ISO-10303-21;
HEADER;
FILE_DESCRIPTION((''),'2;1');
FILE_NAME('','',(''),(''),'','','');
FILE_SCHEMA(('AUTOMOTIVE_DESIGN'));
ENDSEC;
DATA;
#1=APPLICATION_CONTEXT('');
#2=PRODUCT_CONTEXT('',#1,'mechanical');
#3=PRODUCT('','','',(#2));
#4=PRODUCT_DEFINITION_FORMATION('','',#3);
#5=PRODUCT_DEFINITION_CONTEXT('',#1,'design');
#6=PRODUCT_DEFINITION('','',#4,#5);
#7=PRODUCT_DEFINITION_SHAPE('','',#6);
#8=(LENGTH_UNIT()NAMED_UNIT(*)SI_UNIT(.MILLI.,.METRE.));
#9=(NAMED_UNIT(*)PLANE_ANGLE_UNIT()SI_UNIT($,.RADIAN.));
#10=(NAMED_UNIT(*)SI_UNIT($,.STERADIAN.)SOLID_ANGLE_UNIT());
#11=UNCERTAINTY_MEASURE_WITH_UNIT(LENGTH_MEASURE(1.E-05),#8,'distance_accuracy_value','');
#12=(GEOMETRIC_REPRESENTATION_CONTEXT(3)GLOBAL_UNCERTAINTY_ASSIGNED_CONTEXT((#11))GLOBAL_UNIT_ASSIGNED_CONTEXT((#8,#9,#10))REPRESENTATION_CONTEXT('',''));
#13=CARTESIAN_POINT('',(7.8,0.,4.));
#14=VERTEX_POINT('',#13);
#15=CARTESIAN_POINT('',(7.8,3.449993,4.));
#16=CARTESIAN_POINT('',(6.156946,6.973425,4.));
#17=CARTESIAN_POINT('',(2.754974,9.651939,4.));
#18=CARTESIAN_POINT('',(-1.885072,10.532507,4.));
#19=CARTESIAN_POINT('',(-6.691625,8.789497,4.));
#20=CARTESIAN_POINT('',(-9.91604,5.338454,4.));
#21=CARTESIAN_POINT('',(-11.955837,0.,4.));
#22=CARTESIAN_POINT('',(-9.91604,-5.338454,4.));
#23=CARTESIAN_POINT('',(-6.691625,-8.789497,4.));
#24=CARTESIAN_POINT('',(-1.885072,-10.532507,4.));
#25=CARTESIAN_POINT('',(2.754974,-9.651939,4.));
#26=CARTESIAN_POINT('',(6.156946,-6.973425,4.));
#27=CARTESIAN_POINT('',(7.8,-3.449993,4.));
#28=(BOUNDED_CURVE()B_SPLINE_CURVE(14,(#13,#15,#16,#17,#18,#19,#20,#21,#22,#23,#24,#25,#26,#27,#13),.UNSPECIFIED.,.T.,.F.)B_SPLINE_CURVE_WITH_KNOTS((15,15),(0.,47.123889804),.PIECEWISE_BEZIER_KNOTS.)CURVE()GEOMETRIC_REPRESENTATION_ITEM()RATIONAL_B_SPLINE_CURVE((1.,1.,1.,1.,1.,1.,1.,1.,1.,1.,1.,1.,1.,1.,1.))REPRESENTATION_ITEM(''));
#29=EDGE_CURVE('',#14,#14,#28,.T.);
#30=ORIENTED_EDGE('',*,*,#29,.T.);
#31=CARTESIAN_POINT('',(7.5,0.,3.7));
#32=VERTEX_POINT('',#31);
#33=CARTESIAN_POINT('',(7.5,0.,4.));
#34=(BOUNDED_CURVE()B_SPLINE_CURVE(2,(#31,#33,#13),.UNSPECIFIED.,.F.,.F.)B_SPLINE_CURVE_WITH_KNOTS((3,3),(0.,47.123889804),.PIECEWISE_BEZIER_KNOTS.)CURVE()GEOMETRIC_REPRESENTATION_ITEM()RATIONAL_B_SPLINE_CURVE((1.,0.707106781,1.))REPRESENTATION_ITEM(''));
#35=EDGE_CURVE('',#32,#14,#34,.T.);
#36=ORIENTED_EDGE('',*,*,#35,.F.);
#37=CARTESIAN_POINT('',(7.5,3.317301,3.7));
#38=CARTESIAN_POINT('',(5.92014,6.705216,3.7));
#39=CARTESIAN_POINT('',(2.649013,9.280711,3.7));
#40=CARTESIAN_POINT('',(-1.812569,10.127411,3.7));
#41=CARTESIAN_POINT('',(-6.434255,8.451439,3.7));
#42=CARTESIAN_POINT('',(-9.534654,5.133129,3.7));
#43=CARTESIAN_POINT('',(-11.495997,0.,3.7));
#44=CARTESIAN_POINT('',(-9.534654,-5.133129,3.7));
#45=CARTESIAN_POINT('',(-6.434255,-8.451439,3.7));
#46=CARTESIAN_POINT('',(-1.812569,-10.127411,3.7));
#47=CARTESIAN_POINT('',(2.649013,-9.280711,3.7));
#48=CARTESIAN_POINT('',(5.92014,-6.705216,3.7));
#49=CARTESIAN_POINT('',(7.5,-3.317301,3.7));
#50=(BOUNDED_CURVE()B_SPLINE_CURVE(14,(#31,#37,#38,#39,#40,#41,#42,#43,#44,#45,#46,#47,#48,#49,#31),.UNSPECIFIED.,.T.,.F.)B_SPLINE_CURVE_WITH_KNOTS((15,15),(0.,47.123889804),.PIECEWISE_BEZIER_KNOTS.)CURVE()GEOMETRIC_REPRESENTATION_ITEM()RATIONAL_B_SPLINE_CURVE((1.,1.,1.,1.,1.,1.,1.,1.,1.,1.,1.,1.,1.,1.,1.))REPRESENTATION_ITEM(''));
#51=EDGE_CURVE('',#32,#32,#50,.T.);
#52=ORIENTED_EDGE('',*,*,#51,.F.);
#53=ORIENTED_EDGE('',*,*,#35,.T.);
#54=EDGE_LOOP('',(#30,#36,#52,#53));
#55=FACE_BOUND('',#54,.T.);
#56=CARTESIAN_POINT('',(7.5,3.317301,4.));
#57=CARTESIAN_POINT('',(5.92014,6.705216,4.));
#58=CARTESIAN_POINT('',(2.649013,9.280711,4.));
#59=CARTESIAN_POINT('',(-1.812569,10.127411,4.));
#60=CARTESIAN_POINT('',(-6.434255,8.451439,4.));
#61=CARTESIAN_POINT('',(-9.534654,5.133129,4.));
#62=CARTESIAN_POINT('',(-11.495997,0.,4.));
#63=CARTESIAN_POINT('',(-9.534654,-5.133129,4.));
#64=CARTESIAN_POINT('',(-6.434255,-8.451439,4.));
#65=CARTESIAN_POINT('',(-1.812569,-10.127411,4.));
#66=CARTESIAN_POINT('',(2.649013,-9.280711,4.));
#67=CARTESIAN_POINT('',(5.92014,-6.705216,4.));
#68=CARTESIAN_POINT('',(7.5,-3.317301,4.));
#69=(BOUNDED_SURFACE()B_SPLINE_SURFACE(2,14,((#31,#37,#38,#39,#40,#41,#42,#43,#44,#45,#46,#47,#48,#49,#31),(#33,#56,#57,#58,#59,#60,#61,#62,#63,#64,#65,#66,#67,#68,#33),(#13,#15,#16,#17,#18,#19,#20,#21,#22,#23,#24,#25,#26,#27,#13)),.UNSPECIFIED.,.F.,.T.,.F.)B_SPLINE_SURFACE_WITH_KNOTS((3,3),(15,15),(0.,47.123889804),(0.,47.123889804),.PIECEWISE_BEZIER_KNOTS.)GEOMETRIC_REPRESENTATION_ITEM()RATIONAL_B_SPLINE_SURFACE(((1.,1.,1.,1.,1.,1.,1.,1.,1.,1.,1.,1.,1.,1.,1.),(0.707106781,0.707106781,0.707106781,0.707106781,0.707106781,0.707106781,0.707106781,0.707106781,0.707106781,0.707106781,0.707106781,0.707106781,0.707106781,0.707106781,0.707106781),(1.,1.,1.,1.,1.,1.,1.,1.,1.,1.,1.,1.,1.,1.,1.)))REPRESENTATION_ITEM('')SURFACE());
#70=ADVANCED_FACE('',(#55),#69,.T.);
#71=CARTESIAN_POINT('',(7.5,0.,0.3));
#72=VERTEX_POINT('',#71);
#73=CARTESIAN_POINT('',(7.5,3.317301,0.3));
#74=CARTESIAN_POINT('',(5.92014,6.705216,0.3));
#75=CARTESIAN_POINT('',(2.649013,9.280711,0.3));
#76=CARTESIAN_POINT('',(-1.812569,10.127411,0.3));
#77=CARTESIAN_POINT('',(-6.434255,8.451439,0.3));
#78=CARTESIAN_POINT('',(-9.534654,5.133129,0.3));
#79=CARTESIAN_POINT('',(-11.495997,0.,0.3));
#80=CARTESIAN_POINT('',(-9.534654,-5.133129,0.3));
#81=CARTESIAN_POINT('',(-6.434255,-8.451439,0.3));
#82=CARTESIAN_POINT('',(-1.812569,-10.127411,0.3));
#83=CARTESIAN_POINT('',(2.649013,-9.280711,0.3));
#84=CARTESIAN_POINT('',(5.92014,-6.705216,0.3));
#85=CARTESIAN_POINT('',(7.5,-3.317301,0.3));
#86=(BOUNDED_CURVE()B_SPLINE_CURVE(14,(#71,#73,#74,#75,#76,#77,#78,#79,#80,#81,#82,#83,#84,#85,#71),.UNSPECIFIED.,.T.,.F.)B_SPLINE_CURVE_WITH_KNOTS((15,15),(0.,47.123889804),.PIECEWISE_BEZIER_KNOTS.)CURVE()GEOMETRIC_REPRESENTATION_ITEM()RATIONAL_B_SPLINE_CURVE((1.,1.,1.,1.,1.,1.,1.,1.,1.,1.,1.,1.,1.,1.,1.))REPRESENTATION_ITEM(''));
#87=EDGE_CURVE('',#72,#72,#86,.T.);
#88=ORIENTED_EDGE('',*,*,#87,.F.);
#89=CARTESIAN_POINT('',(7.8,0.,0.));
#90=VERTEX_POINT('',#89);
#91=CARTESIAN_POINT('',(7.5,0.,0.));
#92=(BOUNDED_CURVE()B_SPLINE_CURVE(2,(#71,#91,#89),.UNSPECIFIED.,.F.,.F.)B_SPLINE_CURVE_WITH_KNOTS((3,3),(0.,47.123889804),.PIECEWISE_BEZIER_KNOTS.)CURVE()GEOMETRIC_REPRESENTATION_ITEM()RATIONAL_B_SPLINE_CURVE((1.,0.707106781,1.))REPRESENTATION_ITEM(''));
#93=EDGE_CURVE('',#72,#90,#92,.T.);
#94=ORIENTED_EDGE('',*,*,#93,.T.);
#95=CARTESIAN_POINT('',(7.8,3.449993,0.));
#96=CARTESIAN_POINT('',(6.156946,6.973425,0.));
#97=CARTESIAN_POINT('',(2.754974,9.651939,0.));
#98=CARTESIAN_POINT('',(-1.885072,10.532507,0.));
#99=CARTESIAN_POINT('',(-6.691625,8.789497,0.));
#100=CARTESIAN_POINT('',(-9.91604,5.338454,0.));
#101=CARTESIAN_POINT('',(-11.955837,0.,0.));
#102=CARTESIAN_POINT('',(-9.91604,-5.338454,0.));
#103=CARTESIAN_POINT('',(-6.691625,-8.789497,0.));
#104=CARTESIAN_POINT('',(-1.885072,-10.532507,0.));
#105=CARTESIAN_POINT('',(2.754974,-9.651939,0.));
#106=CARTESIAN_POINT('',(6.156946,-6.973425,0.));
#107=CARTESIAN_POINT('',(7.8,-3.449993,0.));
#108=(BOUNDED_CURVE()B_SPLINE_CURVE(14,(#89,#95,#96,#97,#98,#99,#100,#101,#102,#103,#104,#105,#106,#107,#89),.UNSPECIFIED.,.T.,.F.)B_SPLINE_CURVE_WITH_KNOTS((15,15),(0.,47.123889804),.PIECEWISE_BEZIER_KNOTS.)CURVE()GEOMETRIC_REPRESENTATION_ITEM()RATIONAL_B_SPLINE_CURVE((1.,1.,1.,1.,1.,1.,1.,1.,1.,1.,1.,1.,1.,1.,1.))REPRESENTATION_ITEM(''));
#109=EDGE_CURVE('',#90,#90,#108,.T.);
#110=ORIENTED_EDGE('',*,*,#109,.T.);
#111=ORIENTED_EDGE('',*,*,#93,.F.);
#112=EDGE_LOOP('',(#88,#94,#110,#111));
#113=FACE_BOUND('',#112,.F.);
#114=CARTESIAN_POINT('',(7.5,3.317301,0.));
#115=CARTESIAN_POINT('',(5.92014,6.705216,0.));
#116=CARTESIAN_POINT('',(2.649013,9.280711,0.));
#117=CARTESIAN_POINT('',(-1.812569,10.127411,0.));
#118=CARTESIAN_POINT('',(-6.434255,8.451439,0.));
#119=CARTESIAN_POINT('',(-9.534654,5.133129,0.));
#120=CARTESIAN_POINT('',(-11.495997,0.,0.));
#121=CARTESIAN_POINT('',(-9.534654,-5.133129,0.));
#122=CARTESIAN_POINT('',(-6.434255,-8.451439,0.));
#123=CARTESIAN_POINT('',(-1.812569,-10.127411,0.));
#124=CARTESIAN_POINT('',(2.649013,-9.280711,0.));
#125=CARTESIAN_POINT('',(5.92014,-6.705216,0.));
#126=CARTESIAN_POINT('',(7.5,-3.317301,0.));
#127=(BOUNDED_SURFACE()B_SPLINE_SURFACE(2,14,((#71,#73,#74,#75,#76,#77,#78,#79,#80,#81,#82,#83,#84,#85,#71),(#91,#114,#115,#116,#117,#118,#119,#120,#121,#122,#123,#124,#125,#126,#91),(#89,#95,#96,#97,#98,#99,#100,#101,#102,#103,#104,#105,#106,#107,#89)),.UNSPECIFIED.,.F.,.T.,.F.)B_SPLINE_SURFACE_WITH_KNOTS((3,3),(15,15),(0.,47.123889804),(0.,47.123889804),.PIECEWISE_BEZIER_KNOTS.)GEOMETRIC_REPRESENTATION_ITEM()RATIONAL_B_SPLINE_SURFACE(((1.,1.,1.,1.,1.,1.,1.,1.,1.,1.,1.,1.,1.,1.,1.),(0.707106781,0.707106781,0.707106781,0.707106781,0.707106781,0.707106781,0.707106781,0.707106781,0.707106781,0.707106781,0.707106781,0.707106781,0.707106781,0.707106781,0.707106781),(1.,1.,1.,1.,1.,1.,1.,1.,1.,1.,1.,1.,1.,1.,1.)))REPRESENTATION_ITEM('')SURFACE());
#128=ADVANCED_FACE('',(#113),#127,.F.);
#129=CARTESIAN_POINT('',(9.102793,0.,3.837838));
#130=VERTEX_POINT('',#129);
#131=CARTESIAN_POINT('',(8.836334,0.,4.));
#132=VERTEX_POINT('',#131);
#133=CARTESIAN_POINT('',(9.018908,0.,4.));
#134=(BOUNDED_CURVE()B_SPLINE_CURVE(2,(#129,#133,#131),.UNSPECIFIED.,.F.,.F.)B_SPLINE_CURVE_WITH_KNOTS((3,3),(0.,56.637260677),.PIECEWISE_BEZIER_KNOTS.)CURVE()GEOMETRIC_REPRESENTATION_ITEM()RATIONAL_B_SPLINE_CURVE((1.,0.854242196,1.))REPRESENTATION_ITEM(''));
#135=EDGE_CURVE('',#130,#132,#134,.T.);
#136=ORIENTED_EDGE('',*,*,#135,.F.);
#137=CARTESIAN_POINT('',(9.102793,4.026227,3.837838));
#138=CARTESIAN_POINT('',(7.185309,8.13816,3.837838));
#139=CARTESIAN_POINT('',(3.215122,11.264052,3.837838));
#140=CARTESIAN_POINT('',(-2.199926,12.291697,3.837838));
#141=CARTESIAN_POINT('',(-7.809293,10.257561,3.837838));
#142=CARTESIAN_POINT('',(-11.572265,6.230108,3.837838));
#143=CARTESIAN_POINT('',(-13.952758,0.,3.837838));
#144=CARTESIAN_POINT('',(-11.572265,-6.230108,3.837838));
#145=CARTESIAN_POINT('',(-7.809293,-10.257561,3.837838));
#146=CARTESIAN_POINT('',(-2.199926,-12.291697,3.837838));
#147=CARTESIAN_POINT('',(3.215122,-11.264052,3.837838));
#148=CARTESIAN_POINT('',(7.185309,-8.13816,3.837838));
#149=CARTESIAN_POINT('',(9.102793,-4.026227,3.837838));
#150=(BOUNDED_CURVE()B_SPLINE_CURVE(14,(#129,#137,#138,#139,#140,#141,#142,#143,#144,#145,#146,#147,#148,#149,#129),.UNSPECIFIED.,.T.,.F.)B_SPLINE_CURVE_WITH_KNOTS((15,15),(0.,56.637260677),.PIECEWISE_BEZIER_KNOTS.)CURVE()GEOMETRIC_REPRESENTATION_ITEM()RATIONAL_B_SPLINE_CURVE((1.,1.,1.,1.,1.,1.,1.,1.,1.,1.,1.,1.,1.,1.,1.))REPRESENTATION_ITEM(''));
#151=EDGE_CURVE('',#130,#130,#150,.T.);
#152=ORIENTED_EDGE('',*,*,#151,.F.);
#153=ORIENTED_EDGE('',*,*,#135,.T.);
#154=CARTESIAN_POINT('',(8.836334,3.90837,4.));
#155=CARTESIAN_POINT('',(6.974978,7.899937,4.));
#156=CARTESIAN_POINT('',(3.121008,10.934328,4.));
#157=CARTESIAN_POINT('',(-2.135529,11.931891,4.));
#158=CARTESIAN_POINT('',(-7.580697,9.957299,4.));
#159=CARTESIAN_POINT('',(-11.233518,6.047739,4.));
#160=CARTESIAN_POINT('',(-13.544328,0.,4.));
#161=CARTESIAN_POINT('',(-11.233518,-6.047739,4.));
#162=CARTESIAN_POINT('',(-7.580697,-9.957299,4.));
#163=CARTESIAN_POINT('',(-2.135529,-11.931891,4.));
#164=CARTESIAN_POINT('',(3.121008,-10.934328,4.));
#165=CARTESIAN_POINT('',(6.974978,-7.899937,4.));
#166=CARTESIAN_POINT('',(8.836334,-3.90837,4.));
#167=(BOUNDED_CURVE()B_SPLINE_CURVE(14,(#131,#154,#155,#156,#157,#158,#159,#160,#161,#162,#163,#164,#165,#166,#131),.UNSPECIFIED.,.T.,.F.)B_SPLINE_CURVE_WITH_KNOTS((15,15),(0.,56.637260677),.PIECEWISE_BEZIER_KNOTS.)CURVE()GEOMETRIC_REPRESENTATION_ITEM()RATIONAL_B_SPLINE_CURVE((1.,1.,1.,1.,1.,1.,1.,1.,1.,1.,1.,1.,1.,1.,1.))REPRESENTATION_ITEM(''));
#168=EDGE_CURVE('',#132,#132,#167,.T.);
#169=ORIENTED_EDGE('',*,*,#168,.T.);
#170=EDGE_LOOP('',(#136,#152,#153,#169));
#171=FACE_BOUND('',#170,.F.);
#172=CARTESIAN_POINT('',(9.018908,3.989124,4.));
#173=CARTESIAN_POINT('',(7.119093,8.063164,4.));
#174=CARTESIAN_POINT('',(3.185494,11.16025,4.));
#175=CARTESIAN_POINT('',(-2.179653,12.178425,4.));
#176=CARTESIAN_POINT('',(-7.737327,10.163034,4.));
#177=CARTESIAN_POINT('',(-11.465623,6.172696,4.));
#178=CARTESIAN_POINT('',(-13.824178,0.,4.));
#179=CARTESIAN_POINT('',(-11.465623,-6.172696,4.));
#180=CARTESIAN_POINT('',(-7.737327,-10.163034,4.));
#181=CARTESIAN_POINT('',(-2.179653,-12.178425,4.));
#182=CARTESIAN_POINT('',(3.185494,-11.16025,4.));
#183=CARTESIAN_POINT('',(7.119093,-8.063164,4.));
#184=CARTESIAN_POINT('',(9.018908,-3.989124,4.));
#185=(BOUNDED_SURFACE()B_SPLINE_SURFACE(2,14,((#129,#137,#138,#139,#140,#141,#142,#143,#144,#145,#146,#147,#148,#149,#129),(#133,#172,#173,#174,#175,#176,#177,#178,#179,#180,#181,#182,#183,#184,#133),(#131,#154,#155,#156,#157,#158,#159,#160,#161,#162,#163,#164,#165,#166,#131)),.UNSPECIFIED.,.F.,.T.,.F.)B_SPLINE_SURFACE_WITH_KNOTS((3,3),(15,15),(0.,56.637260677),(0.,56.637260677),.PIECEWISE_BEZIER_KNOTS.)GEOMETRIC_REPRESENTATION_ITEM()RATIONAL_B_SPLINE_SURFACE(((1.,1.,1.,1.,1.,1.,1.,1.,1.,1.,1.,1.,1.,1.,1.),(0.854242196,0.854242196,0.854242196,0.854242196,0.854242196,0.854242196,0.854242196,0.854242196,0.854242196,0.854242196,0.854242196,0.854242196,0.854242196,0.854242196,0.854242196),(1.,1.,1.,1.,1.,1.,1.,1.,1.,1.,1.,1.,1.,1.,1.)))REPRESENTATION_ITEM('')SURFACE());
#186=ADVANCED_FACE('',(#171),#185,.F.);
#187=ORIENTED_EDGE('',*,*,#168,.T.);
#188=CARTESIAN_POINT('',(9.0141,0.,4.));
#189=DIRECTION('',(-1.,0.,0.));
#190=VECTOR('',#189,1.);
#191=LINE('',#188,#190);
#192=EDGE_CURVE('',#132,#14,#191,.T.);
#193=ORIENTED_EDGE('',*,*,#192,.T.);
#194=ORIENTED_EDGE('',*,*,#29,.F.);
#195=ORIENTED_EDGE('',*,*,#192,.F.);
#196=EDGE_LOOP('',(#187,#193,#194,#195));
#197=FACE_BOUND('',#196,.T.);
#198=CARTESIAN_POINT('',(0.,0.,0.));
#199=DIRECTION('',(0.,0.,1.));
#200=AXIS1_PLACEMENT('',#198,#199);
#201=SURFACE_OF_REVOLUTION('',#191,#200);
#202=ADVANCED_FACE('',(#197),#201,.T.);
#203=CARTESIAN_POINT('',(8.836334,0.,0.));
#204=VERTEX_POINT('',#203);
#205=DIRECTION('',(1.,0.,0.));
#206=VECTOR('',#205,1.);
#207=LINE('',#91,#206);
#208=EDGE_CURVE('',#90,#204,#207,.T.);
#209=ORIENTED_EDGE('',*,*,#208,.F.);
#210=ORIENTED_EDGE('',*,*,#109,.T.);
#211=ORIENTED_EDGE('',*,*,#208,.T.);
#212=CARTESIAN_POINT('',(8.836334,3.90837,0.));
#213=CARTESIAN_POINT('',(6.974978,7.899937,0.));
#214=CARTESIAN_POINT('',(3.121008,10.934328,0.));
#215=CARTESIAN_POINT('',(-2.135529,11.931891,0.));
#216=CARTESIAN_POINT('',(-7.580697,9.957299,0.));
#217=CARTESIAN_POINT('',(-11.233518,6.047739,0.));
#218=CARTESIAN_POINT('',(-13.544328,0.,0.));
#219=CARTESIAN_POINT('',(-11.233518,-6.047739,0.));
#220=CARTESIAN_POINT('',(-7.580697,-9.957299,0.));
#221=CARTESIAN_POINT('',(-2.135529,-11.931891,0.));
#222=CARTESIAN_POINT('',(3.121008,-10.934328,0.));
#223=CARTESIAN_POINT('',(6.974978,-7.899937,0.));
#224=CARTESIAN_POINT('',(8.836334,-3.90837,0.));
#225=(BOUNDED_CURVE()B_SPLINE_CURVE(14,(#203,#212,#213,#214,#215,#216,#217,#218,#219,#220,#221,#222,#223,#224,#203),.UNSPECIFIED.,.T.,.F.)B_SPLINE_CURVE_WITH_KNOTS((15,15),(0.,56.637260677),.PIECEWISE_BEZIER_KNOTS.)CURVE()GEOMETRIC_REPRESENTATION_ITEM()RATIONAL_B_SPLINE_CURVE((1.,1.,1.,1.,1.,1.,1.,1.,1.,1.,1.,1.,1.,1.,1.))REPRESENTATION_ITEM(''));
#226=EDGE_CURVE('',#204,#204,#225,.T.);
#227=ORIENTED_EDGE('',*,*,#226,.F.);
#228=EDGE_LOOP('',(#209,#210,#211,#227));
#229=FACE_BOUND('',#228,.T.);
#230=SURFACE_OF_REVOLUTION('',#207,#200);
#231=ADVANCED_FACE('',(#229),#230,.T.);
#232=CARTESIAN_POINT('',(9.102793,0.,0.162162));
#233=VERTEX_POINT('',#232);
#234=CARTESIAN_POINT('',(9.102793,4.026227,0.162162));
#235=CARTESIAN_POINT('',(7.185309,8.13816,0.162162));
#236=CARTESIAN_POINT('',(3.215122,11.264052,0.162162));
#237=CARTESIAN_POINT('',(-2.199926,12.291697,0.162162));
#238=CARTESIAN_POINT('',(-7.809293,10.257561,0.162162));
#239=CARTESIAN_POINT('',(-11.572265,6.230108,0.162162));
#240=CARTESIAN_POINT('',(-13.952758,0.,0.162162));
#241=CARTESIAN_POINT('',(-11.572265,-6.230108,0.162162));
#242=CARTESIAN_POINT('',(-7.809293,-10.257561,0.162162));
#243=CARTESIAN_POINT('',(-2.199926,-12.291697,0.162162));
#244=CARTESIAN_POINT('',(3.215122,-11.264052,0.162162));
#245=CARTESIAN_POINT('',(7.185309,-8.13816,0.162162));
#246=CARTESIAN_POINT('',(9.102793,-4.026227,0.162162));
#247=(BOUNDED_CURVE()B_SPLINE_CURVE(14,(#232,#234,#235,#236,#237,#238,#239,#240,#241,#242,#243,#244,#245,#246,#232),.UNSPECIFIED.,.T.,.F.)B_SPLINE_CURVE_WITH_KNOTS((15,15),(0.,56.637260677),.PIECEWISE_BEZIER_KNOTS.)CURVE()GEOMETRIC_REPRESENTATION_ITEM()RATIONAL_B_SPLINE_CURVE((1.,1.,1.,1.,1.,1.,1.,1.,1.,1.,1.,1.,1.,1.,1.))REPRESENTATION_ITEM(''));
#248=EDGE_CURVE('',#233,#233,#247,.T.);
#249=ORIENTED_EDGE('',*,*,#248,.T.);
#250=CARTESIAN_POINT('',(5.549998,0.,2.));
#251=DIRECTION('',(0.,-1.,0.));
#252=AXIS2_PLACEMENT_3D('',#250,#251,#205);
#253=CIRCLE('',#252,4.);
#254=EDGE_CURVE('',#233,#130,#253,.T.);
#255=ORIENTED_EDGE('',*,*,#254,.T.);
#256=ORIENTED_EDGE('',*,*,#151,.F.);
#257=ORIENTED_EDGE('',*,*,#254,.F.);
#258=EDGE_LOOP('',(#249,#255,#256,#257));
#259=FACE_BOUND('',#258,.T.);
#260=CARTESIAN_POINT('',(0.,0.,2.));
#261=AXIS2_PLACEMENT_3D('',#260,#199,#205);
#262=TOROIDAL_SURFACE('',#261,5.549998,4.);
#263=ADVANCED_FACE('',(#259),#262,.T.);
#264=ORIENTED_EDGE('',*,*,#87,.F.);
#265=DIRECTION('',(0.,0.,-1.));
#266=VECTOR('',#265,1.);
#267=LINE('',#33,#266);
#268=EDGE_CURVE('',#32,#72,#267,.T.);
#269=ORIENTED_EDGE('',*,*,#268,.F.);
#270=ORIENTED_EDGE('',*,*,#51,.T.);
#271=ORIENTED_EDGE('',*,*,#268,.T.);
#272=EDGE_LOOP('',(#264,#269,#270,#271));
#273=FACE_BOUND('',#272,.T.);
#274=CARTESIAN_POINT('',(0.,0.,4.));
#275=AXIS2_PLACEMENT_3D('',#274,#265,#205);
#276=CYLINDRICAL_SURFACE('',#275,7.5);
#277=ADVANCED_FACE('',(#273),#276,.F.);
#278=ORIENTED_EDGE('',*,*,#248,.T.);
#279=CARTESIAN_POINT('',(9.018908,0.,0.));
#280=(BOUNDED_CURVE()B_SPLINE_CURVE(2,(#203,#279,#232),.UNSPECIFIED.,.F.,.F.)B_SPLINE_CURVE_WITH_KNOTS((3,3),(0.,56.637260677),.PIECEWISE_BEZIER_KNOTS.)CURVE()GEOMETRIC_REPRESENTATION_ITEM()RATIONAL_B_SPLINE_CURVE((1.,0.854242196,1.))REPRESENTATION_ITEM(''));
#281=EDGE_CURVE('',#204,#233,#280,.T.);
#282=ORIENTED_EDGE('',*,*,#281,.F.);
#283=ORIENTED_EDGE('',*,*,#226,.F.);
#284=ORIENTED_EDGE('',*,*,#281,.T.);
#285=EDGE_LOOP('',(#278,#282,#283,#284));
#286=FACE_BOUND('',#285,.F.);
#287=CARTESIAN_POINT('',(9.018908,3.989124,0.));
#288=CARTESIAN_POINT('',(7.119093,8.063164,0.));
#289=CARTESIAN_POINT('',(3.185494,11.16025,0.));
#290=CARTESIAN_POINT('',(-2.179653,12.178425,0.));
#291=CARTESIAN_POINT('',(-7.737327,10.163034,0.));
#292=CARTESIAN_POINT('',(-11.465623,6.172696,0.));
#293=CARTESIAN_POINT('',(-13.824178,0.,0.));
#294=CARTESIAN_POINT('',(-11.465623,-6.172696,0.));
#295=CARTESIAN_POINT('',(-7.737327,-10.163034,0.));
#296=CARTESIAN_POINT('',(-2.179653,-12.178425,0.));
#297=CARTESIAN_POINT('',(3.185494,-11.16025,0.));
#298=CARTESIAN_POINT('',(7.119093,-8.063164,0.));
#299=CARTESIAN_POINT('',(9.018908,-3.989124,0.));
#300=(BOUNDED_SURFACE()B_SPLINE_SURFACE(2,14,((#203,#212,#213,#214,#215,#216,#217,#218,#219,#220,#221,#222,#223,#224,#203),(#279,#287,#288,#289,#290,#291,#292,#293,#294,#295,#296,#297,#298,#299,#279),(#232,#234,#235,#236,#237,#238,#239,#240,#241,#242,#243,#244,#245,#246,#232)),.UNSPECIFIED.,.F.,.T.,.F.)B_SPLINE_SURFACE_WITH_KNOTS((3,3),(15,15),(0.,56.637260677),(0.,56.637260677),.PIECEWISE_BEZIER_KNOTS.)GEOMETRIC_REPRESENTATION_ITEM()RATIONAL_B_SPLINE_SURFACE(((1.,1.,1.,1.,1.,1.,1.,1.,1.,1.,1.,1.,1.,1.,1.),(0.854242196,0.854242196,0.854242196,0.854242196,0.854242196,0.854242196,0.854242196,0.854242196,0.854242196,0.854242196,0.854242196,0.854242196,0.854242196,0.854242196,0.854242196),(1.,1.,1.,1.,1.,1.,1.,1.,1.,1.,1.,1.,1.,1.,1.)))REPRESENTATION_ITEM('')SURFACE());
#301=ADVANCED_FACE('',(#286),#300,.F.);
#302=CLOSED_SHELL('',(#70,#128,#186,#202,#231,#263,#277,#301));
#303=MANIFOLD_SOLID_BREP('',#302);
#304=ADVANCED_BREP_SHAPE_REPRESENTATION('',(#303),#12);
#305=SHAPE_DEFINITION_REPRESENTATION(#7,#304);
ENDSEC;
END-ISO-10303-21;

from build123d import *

# Parameters (mm, degrees)
F3_R = 0.3


with BuildPart() as f2:
    # F2: sweep along a path in F0
    with BuildLine(Plane.XY) as f2_path:
        CenterArc((0, 0), 7.5, 0, 360)
    # F1 (on Front) → F2 (sweep)
    with BuildSketch(Plane.XZ):
        with BuildLine():
            Line((7.5, 4), (7.5, 0))
            Line((7.5, 0), (9.0141, 0))
            ThreePointArc((9.0141, 0), (9.5499983849, 2), (9.0141, 4))
            Line((9.0141, 4), (7.5, 4))
        make_face()
    sweep(path=f2_path.line)

    # F3
    f3_edges = [f2.edges().sort_by_distance(p)[0] for p in [
        (-7.5, 0, 4),
        (-7.5, 0, 0),
        (-9.0141, 0, 4),
        (-9.0141, 0, 0),
    ]]
    fillet(f3_edges, radius=F3_R)


solid = f2.part
